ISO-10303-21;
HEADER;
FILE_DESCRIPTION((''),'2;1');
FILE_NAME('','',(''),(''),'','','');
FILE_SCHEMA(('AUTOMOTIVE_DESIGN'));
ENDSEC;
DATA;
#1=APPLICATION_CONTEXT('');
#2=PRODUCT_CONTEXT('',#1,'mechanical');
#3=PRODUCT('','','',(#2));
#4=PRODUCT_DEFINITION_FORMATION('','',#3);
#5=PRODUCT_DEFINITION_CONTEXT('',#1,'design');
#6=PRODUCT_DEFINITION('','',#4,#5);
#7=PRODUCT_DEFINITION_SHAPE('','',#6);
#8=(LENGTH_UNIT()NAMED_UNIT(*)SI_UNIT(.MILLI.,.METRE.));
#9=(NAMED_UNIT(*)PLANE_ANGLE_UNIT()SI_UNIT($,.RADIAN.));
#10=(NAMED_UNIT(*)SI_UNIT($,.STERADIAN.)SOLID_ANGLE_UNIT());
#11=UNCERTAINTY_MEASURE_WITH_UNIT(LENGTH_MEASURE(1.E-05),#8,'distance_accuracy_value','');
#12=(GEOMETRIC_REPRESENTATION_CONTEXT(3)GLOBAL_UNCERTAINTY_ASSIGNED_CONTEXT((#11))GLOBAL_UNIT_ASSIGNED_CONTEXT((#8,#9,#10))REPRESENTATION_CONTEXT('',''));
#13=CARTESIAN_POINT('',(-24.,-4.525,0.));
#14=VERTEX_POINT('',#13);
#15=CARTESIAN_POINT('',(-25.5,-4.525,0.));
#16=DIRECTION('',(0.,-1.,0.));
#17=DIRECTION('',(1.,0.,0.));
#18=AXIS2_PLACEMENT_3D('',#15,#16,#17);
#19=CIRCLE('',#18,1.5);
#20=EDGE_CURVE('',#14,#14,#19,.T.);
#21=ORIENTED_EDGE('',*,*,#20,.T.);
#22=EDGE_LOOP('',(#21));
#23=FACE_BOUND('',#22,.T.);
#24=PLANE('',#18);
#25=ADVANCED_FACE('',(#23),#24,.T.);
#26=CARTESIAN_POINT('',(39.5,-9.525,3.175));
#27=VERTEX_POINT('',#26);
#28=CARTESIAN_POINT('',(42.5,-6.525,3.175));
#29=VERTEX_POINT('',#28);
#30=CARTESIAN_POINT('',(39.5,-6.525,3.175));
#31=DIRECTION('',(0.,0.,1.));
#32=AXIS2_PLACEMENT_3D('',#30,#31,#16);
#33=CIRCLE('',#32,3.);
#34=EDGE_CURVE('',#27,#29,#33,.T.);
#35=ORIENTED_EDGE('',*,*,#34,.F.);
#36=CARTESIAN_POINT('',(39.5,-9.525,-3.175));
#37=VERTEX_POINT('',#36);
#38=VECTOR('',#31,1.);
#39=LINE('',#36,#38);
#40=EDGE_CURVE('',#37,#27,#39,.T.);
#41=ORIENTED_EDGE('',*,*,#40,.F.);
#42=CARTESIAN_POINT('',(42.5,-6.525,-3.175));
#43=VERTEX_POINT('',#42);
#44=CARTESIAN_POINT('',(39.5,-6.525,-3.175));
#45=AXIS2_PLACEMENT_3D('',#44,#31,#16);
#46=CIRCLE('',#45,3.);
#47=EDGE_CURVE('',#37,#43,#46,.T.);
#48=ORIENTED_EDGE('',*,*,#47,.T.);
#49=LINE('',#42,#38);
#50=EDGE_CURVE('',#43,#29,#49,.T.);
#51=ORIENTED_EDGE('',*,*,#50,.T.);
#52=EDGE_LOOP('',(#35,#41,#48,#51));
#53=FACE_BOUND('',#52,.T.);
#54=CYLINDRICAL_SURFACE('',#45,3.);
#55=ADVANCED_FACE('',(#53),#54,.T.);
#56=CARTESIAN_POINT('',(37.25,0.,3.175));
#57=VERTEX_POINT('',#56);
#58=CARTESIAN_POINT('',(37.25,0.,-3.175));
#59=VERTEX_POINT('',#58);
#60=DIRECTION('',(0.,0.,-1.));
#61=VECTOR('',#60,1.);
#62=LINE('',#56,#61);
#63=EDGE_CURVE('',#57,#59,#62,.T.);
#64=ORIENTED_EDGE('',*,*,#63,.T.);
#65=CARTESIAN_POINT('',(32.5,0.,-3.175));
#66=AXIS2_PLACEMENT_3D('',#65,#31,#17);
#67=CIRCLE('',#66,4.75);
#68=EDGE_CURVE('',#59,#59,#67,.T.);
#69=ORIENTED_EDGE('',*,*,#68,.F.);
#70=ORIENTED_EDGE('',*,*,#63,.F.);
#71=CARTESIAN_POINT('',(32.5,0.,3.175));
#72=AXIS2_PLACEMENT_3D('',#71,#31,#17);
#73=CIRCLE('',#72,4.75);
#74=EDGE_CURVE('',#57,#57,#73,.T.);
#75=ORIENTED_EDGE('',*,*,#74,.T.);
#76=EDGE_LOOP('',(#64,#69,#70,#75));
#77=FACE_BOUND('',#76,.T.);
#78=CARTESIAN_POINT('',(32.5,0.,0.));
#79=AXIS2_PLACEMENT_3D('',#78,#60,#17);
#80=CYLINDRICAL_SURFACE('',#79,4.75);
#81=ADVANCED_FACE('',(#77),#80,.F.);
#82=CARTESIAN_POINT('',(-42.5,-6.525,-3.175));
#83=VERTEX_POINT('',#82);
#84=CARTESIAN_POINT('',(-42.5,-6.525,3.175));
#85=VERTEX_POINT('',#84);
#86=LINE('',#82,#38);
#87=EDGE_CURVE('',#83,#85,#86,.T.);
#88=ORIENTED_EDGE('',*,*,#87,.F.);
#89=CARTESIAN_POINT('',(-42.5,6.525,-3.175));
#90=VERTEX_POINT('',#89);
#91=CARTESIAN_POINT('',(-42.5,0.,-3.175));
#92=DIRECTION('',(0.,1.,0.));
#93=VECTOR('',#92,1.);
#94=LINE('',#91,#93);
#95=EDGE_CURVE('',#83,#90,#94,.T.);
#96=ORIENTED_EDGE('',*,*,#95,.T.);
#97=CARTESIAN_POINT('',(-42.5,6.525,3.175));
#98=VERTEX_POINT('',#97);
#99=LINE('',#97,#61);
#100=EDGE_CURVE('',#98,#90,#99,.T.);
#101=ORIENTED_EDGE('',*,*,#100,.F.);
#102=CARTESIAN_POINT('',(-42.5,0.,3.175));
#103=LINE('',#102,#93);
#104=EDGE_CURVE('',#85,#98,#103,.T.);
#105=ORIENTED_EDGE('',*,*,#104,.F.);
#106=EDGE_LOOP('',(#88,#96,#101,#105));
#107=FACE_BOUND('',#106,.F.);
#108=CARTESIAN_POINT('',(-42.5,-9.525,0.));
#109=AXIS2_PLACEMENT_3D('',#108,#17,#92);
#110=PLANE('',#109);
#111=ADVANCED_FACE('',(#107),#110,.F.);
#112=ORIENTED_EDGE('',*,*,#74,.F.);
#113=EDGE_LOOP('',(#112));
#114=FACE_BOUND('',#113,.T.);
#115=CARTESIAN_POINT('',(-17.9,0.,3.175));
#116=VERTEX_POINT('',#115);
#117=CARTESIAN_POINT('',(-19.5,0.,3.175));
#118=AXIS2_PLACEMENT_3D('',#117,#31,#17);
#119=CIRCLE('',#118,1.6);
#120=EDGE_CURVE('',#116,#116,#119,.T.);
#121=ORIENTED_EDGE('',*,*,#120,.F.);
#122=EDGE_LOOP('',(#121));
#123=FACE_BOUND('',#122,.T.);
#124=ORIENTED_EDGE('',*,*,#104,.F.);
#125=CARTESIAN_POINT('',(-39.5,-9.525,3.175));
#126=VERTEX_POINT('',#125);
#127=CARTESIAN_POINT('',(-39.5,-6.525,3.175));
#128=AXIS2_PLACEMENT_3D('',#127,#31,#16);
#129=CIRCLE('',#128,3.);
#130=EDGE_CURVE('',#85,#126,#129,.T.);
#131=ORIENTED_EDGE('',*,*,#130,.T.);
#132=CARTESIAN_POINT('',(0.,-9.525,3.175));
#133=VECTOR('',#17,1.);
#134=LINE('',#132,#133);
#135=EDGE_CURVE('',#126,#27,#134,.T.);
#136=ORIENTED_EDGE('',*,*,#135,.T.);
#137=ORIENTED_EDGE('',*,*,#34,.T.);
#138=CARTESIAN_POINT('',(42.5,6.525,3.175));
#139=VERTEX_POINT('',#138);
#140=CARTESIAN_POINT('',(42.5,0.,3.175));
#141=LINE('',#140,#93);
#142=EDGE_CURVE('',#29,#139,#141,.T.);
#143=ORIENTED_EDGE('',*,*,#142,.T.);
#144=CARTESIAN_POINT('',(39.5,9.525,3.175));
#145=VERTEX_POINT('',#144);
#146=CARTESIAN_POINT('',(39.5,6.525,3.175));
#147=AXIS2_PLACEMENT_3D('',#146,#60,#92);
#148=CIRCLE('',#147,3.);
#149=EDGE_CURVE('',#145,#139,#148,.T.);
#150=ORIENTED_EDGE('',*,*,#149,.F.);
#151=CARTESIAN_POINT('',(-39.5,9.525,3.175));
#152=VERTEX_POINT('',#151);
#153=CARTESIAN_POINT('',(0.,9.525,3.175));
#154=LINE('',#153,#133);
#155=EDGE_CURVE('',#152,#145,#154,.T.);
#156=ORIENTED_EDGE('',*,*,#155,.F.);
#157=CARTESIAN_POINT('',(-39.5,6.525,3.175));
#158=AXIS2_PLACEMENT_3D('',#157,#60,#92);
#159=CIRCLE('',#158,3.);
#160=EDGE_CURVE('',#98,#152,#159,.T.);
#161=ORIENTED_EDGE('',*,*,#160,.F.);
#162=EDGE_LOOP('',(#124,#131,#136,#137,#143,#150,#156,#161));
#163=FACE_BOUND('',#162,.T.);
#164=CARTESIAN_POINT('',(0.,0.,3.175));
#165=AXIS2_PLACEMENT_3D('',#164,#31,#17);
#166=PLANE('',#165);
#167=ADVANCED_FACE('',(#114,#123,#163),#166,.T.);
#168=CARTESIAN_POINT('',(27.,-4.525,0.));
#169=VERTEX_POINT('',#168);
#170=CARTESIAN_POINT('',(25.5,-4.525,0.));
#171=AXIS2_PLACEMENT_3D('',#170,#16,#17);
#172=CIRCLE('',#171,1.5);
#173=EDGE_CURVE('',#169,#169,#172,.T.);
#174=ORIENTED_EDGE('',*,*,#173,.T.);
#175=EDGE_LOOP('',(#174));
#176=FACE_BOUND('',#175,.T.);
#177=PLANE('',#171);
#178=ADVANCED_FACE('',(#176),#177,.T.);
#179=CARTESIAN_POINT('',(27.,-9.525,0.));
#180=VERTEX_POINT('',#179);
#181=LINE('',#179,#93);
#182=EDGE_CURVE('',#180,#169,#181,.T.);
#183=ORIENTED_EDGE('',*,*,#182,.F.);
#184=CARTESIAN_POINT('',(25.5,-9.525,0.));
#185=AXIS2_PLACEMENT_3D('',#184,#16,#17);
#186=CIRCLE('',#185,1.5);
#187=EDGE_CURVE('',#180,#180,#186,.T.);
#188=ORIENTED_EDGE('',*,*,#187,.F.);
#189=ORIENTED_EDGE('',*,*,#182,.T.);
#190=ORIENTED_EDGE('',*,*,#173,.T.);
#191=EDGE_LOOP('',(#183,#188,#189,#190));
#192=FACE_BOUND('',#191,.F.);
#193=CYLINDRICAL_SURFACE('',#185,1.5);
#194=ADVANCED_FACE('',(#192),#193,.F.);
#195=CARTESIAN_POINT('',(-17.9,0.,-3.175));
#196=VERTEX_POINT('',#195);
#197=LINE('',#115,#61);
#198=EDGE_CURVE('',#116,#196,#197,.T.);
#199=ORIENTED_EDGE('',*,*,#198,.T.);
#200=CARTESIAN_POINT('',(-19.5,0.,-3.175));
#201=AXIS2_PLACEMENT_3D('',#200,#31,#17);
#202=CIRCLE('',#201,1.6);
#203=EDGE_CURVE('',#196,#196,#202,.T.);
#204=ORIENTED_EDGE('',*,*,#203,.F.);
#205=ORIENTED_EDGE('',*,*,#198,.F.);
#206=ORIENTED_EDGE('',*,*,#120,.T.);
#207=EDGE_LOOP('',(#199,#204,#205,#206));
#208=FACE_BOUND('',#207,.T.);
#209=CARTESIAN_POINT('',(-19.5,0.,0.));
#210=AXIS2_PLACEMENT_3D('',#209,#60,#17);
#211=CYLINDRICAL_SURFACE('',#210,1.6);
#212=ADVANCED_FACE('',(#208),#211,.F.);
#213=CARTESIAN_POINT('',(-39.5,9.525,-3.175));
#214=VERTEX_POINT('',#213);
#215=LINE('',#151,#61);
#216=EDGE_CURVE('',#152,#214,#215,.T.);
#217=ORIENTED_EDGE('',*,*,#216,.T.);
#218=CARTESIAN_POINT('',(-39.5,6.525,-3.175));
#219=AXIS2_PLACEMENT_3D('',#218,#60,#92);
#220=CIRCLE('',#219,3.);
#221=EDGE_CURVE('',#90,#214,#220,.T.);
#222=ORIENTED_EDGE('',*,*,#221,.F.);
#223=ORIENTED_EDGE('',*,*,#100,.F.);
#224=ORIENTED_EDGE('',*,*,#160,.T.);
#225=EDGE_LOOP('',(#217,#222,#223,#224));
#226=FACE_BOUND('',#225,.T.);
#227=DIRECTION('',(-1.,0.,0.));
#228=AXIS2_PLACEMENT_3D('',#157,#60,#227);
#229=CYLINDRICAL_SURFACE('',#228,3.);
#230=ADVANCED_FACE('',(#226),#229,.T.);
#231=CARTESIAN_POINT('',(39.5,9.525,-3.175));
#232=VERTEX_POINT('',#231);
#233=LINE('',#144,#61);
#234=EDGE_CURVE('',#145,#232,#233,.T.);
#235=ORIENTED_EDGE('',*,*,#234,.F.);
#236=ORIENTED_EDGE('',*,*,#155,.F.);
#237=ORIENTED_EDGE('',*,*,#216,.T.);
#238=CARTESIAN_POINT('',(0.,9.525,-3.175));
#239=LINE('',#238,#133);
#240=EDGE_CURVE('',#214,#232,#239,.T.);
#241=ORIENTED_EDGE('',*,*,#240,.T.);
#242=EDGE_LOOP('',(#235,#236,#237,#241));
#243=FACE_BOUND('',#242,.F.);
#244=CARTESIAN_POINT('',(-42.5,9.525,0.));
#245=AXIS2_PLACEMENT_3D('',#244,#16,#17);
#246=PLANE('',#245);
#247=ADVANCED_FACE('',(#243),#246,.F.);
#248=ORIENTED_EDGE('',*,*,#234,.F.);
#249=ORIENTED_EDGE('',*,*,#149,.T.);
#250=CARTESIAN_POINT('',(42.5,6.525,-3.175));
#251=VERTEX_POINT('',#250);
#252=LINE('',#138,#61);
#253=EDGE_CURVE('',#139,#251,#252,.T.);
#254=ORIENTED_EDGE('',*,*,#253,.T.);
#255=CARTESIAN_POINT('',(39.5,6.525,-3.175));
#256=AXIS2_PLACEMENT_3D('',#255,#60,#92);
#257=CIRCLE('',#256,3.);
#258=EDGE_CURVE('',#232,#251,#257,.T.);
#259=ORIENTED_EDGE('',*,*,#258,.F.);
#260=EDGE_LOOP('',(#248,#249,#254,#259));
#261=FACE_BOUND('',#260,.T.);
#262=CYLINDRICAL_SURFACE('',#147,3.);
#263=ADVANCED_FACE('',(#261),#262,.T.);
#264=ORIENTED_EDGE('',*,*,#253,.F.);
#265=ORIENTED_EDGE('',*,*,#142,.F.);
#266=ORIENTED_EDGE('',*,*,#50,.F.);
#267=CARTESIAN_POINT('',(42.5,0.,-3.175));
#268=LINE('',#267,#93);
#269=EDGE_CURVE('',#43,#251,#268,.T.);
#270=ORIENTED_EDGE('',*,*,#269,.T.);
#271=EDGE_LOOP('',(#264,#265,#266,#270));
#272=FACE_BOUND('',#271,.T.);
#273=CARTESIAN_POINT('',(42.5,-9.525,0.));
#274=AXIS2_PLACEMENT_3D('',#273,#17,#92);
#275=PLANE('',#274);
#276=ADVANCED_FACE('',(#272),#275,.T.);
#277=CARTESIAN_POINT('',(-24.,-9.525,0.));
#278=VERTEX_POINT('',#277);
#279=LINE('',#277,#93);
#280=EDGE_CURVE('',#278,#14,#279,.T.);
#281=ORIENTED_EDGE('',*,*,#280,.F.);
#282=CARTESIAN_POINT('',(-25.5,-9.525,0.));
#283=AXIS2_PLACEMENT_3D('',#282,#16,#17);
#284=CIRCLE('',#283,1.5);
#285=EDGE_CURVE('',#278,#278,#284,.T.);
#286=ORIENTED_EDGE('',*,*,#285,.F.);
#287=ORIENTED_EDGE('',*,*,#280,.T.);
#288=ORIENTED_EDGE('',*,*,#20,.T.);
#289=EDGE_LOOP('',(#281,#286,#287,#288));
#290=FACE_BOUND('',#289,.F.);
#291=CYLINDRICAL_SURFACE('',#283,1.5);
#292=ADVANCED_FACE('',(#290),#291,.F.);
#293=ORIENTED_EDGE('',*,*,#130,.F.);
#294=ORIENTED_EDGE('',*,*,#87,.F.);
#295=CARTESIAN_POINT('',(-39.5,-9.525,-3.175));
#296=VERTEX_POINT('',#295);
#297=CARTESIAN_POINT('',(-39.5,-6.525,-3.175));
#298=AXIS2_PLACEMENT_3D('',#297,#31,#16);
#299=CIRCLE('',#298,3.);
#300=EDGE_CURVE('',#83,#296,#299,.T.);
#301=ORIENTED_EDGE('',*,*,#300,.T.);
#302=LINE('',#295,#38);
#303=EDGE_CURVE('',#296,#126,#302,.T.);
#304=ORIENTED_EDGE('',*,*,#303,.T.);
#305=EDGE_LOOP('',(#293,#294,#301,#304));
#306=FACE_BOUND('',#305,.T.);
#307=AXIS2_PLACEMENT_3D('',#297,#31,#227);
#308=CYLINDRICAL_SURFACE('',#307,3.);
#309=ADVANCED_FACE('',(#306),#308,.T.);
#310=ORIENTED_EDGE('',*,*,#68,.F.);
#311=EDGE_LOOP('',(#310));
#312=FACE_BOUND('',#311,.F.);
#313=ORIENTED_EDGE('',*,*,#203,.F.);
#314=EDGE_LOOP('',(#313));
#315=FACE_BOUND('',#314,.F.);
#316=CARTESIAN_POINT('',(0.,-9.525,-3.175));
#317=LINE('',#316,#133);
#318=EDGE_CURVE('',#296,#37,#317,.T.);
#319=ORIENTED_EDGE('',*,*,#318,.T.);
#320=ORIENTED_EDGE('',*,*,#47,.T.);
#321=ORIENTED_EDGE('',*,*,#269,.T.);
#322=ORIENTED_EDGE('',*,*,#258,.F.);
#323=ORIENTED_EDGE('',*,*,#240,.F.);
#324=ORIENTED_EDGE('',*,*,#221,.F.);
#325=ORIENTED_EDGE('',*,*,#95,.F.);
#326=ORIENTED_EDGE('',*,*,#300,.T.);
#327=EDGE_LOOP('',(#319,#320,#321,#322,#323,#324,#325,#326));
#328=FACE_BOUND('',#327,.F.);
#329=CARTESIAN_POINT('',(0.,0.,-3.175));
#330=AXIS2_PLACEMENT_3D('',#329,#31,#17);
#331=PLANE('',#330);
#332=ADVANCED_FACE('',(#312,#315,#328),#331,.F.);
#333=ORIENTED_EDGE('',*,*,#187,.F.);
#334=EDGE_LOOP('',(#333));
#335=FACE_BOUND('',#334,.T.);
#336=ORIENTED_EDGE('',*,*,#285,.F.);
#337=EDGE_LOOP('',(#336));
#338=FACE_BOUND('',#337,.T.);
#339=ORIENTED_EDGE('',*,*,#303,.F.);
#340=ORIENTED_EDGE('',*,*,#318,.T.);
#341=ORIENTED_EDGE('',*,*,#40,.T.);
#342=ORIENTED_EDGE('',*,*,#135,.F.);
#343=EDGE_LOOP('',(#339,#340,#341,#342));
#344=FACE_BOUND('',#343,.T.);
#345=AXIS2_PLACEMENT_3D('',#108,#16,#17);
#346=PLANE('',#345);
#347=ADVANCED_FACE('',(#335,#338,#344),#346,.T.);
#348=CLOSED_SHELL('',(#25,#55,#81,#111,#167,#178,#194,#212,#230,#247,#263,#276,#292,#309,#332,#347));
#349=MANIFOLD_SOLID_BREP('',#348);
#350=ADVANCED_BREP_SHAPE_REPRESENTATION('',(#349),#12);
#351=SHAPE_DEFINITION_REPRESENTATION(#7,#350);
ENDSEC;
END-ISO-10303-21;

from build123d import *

# Parameters (mm, degrees)
F0_W     = 85
F0_H     = 19.05
F0_R     = 1.6
F0_R_2   = 4.75
F1_DEPTH = 3.175
F2_R     = 1.5
F3_DEPTH = 5
F4_R     = 3


with BuildPart() as f1:
    # F0 (on Top) → F1 (new body, symmetric)
    with BuildSketch(Plane.XY):
        Rectangle(F0_W, F0_H)
        with Locations((-19.5, 0)):
            Circle(F0_R, mode=Mode.SUBTRACT)
        with Locations((32.5, 0)):
            Circle(F0_R_2, mode=Mode.SUBTRACT)
    extrude(amount=F1_DEPTH, both=True)

    # F2 (on face) → F3 (cut)
    with BuildSketch(Plane.XZ.offset(9.525)):
        with Locations((-25.5, 0)):
            Circle(F2_R)
        with Locations((25.5, 0)):
            Circle(F2_R)
    extrude(amount=-F3_DEPTH, mode=Mode.SUBTRACT)

    # F4
    f4_edges = [f1.edges().sort_by_distance(p)[0] for p in [
        (42.5, -9.525, 0),
        (42.5, 9.525, 0),
        (-42.5, -9.525, 0),
        (-42.5, 9.525, 0),
    ]]
    fillet(f4_edges, radius=F4_R)


solid = f1.part
